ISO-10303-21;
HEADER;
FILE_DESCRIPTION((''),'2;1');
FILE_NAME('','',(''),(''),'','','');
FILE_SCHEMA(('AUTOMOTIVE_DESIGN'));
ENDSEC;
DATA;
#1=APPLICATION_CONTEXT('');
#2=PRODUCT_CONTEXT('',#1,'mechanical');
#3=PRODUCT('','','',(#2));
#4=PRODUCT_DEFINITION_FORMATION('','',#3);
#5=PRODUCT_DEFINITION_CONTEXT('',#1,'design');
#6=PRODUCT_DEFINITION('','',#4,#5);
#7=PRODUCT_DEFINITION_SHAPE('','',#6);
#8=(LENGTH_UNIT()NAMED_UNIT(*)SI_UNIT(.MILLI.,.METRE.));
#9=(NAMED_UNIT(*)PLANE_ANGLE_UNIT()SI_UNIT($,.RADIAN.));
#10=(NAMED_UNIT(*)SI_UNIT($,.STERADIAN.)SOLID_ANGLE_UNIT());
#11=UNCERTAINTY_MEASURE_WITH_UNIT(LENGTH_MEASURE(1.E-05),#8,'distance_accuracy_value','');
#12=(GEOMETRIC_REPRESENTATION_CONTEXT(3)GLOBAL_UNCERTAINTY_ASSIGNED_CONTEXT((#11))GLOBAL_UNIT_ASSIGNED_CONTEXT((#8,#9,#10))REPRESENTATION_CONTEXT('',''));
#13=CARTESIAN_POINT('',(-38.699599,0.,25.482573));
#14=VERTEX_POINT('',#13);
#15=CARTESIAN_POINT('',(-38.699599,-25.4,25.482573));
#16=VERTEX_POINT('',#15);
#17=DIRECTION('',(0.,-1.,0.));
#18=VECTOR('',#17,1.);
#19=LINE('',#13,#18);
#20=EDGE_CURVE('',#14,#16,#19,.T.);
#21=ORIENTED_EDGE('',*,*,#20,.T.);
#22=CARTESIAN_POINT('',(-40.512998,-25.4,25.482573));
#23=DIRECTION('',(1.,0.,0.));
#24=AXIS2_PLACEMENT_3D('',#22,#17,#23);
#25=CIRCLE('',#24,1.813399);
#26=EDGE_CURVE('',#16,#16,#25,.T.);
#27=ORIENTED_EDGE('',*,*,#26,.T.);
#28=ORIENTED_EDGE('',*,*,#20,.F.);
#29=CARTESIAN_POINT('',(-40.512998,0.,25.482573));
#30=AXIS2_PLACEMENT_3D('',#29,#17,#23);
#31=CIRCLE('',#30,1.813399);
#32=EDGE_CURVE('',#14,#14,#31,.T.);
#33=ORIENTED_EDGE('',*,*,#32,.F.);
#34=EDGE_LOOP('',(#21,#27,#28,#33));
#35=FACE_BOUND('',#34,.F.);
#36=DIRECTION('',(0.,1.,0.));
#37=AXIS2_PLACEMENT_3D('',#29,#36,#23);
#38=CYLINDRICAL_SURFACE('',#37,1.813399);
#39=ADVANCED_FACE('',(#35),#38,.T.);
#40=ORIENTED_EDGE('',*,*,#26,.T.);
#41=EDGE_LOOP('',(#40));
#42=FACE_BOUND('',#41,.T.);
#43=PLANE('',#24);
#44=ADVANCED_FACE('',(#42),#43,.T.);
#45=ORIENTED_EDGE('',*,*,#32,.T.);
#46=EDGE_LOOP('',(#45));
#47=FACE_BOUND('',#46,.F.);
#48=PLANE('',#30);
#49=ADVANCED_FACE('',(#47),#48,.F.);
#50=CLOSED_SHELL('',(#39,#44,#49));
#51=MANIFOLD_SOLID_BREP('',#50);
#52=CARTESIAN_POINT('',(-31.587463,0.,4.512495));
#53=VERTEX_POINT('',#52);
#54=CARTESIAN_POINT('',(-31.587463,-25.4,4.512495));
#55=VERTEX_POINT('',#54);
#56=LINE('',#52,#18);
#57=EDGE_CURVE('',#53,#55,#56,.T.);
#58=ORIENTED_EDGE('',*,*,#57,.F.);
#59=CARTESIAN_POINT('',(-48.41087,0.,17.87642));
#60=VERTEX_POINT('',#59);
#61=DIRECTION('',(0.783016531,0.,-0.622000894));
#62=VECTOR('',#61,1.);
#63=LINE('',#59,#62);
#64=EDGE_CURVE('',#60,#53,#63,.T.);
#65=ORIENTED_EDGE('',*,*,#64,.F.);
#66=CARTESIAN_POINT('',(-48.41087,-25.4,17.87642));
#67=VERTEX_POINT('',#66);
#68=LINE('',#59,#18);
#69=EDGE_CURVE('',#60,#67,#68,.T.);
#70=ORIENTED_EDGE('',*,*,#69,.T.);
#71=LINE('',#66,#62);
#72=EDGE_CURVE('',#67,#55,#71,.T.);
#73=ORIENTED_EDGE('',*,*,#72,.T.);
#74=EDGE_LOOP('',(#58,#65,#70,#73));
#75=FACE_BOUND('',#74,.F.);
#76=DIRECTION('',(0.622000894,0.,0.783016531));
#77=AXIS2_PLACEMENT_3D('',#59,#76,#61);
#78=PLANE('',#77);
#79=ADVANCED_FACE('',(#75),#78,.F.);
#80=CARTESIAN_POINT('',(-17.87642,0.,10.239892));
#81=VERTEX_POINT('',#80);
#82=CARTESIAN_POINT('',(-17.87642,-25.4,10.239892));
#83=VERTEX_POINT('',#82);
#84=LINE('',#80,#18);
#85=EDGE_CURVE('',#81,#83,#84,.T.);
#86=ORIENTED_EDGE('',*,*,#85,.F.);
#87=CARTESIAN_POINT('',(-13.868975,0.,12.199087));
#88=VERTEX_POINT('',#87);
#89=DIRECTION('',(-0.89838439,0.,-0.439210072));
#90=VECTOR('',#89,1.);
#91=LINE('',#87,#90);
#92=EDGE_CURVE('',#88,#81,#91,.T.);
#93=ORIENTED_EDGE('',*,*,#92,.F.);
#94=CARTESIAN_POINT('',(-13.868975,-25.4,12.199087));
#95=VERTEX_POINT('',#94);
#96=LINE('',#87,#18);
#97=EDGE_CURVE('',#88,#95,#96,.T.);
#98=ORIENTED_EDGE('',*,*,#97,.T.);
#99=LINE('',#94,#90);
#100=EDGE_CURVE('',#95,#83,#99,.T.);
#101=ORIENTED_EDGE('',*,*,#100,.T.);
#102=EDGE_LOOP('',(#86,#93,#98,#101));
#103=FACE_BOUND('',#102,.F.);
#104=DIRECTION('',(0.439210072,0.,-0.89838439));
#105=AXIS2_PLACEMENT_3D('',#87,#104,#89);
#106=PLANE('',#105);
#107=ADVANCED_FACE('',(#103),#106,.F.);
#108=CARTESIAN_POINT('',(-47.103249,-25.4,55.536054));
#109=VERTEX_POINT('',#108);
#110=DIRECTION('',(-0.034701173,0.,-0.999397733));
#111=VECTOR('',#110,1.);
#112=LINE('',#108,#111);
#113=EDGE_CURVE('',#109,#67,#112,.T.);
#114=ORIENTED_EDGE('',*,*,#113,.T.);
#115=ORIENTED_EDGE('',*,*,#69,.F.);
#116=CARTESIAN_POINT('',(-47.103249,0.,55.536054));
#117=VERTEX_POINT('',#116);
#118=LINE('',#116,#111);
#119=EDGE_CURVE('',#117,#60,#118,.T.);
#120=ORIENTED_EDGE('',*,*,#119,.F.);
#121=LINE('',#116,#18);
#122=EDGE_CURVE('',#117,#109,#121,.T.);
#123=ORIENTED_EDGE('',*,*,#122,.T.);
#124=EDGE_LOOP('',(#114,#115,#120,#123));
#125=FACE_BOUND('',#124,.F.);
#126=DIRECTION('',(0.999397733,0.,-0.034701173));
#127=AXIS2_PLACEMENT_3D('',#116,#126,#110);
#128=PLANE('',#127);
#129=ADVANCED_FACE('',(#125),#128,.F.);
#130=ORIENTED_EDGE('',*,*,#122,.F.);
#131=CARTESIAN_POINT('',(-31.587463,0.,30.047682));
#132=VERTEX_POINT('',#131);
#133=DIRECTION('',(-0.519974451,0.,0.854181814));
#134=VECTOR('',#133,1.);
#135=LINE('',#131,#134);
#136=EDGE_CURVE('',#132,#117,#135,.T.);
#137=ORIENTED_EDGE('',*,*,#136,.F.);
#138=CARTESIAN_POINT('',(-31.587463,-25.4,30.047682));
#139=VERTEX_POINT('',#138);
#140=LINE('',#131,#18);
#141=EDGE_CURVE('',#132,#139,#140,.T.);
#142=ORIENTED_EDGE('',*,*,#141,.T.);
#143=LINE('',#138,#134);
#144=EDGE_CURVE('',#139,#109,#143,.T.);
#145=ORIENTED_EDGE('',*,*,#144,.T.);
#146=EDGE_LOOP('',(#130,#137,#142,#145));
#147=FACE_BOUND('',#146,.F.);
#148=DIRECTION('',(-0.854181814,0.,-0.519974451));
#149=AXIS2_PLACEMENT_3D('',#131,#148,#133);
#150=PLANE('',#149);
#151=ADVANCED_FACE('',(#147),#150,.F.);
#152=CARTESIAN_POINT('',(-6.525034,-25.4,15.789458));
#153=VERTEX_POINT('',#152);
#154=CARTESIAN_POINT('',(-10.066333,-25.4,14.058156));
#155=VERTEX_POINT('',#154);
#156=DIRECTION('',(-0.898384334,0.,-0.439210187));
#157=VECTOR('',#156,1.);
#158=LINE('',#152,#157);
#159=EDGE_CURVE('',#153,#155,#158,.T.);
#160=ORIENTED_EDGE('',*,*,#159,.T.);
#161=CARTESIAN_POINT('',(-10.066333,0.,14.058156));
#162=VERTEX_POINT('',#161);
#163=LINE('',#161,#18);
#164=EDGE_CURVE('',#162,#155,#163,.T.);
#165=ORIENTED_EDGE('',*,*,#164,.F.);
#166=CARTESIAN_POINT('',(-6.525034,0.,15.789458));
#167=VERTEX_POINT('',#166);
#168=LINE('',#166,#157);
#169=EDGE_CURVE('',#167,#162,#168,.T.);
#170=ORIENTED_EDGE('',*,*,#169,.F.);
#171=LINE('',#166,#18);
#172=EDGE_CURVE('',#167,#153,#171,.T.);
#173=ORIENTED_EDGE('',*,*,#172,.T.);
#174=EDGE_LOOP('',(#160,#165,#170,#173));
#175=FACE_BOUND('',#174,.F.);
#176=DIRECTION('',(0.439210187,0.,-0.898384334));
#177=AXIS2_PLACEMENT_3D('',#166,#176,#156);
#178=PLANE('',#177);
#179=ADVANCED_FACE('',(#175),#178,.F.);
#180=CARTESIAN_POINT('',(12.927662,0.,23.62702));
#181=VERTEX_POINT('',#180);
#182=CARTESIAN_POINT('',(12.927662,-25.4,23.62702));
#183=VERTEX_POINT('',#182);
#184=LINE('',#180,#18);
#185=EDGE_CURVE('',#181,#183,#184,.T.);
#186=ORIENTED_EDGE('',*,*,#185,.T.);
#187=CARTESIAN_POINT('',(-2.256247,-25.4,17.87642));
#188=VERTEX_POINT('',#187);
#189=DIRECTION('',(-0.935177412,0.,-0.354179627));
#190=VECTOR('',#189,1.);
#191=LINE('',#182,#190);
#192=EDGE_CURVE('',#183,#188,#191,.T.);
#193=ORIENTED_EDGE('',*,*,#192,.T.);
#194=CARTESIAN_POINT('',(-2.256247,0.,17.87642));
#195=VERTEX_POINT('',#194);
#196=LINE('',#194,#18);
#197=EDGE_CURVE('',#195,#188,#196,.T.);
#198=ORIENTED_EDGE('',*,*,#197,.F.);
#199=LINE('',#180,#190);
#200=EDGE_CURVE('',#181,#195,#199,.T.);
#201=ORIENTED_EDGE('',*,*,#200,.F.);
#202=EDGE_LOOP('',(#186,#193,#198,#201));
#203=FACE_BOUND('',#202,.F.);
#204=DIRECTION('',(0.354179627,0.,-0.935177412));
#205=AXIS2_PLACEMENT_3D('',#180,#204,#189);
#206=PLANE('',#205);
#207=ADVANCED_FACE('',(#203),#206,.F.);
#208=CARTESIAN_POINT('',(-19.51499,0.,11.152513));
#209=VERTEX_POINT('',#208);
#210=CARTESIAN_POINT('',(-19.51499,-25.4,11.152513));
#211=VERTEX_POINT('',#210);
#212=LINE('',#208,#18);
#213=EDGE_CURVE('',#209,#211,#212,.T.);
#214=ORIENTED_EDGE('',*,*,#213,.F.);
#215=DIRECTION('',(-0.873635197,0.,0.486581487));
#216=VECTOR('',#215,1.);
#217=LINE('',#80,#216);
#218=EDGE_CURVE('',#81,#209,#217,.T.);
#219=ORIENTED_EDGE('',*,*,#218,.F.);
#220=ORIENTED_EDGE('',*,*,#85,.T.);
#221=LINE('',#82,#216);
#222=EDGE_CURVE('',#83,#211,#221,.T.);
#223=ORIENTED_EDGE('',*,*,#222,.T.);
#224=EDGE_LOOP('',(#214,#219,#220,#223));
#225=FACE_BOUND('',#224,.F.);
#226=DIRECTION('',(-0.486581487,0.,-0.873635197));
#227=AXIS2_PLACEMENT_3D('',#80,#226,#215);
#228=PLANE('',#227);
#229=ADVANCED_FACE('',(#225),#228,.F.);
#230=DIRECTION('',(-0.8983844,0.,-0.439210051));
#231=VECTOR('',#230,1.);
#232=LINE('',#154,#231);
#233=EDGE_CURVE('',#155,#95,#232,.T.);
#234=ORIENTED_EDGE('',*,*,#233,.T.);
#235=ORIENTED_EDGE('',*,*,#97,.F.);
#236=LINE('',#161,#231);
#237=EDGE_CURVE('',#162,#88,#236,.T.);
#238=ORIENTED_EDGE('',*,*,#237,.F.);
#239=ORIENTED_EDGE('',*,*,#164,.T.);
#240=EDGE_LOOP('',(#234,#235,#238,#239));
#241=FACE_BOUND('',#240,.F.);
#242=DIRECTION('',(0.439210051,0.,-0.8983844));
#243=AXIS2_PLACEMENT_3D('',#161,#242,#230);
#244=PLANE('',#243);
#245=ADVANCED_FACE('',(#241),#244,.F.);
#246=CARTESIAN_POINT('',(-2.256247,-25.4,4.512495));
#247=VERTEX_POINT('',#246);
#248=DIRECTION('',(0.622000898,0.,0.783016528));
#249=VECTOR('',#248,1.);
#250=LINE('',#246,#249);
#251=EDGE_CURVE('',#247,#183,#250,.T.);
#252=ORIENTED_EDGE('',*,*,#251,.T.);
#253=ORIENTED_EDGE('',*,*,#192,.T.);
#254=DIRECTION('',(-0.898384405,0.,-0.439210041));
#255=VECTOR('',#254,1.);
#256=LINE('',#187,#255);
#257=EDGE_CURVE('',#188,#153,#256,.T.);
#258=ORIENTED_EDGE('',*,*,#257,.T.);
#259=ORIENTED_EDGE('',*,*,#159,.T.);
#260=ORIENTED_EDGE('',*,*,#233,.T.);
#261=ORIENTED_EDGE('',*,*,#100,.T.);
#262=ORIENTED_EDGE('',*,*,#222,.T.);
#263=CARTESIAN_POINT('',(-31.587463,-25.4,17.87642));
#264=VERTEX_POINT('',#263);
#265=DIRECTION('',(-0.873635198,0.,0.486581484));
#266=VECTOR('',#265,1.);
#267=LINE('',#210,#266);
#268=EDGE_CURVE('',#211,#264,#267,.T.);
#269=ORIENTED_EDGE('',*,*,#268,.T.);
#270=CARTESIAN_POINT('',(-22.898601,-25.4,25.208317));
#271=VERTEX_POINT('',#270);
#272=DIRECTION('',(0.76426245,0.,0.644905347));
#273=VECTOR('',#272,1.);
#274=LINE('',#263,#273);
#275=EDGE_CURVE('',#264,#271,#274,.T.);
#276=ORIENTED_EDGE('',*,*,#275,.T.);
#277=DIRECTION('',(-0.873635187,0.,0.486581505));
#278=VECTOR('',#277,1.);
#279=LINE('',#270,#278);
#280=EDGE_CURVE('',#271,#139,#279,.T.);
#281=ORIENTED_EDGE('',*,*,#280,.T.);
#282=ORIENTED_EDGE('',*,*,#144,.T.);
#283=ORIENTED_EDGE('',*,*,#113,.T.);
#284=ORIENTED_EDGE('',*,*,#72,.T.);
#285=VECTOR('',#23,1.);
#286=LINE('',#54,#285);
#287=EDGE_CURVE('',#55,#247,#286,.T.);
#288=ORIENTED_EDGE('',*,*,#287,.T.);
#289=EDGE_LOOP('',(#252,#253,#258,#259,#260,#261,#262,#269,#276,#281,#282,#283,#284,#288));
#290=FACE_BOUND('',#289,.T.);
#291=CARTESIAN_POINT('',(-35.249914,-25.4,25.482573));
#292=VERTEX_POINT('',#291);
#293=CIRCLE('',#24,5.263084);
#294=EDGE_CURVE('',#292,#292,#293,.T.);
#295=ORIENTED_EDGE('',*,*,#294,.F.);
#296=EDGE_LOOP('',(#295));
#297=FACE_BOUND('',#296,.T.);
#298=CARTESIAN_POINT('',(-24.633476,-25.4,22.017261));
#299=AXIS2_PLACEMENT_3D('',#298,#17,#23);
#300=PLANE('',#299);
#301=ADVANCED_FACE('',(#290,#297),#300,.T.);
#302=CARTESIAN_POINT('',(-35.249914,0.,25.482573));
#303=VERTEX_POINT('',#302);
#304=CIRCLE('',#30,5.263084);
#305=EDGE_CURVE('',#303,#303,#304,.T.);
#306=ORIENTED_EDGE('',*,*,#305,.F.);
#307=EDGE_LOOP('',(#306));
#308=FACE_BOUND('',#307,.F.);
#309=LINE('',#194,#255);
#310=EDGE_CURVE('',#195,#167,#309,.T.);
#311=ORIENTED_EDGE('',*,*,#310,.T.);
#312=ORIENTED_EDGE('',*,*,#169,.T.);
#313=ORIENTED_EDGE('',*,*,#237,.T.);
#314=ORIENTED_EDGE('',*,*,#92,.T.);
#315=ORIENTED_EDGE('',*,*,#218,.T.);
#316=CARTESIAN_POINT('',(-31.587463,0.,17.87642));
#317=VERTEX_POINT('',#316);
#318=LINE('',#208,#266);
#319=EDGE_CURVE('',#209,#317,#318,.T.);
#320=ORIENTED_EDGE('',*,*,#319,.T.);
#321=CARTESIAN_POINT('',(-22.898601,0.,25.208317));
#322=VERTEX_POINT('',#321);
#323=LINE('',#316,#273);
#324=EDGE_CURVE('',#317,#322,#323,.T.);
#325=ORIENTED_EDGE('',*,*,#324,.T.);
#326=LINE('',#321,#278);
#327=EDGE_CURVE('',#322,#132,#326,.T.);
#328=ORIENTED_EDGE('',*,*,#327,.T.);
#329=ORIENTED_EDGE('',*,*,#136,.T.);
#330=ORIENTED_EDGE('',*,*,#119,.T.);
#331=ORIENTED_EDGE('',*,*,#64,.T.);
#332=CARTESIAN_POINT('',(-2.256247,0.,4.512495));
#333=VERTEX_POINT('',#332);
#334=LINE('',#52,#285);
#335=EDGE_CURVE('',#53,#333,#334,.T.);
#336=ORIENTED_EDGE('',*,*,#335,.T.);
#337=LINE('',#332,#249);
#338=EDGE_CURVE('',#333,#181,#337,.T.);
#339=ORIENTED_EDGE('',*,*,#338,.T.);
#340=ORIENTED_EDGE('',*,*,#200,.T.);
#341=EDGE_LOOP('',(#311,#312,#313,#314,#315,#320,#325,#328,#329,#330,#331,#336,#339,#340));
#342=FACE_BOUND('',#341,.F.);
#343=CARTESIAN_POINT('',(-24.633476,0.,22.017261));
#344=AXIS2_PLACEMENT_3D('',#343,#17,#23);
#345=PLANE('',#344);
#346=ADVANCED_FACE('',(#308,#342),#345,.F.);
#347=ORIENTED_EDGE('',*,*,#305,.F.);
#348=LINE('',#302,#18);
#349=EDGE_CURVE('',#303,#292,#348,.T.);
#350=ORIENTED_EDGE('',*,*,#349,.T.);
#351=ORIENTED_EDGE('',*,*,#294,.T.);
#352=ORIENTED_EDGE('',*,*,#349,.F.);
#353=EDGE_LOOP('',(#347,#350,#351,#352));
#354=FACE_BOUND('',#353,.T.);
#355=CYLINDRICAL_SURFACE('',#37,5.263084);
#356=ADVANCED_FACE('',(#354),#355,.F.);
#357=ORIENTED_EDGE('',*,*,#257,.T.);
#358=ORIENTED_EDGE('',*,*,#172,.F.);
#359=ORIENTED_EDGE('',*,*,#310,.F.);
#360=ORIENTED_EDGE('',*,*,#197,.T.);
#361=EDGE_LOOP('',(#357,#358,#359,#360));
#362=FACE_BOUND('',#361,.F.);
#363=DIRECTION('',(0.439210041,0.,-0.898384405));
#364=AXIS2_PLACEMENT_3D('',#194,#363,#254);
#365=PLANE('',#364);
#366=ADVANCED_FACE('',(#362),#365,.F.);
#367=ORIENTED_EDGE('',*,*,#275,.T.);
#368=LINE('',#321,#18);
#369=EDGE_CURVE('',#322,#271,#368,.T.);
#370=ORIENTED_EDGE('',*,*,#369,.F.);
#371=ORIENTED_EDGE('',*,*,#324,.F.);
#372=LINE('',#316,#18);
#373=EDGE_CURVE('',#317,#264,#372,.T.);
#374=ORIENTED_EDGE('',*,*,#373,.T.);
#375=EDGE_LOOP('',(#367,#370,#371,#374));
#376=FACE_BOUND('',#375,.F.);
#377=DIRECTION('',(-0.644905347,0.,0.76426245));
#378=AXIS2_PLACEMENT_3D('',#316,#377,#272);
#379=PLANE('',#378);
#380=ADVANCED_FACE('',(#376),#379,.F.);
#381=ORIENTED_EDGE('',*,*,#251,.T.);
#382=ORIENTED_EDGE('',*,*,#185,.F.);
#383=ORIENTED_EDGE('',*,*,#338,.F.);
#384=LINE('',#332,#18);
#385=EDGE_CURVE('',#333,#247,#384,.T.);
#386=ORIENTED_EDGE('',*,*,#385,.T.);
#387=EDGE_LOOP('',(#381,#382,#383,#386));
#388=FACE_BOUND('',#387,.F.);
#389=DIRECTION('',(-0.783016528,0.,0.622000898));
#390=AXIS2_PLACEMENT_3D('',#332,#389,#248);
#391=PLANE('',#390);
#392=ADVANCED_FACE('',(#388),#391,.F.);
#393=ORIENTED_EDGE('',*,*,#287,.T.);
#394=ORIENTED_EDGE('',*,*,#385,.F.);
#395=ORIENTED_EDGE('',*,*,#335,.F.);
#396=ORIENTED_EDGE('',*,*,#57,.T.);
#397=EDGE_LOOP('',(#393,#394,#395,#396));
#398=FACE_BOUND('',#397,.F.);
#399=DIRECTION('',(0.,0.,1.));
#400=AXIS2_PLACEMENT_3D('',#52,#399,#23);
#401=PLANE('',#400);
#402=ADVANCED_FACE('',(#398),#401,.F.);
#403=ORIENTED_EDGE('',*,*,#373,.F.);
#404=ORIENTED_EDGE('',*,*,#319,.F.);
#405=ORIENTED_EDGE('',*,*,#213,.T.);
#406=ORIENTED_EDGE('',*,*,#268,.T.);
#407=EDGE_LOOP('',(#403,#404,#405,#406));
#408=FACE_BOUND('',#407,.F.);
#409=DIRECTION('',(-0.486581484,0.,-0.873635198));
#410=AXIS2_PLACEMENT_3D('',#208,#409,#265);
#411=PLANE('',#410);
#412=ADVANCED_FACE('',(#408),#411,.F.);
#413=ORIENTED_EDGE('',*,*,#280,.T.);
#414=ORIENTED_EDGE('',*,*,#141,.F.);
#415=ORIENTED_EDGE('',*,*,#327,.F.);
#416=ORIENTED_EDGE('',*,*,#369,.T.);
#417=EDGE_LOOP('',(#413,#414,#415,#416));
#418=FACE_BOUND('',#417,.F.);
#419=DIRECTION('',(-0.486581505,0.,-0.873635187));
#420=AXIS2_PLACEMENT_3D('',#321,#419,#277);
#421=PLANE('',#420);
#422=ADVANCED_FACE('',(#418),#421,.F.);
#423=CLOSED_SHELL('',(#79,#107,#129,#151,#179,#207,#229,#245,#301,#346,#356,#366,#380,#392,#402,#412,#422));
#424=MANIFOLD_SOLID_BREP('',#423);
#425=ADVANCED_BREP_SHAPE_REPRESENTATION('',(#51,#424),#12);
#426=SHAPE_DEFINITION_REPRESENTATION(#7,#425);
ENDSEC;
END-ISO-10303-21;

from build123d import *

# Parameters (mm, degrees)
F0_R     = 5.263084
F0_R_2   = 1.813399
F1_DEPTH = 25.4


with BuildPart() as f1:
    # F0 (on Front) → F1 (new body)
    with BuildSketch(Plane.XZ):
        Polygon((-48.41087, 17.87642), (-31.587463, 4.512495), (-2.256247, 4.512495), (12.927662, 23.62702), (-2.256247, 17.87642), (-6.525034, 15.789458), (-10.066333, 14.058156), (-13.868975, 12.199087), (-17.87642, 10.239892), (-19.51499, 11.152513), (-31.587463, 17.87642), (-22.898601, 25.208317), (-31.587463, 30.047682), (-47.103249, 55.536054), align=None)
        with Locations((-40.512998, 25.482573)):
            Circle(F0_R, mode=Mode.SUBTRACT)
        with Locations((-40.512998, 25.482573)):
            Circle(F0_R_2)
    extrude(amount=F1_DEPTH)


solid = f1.part
